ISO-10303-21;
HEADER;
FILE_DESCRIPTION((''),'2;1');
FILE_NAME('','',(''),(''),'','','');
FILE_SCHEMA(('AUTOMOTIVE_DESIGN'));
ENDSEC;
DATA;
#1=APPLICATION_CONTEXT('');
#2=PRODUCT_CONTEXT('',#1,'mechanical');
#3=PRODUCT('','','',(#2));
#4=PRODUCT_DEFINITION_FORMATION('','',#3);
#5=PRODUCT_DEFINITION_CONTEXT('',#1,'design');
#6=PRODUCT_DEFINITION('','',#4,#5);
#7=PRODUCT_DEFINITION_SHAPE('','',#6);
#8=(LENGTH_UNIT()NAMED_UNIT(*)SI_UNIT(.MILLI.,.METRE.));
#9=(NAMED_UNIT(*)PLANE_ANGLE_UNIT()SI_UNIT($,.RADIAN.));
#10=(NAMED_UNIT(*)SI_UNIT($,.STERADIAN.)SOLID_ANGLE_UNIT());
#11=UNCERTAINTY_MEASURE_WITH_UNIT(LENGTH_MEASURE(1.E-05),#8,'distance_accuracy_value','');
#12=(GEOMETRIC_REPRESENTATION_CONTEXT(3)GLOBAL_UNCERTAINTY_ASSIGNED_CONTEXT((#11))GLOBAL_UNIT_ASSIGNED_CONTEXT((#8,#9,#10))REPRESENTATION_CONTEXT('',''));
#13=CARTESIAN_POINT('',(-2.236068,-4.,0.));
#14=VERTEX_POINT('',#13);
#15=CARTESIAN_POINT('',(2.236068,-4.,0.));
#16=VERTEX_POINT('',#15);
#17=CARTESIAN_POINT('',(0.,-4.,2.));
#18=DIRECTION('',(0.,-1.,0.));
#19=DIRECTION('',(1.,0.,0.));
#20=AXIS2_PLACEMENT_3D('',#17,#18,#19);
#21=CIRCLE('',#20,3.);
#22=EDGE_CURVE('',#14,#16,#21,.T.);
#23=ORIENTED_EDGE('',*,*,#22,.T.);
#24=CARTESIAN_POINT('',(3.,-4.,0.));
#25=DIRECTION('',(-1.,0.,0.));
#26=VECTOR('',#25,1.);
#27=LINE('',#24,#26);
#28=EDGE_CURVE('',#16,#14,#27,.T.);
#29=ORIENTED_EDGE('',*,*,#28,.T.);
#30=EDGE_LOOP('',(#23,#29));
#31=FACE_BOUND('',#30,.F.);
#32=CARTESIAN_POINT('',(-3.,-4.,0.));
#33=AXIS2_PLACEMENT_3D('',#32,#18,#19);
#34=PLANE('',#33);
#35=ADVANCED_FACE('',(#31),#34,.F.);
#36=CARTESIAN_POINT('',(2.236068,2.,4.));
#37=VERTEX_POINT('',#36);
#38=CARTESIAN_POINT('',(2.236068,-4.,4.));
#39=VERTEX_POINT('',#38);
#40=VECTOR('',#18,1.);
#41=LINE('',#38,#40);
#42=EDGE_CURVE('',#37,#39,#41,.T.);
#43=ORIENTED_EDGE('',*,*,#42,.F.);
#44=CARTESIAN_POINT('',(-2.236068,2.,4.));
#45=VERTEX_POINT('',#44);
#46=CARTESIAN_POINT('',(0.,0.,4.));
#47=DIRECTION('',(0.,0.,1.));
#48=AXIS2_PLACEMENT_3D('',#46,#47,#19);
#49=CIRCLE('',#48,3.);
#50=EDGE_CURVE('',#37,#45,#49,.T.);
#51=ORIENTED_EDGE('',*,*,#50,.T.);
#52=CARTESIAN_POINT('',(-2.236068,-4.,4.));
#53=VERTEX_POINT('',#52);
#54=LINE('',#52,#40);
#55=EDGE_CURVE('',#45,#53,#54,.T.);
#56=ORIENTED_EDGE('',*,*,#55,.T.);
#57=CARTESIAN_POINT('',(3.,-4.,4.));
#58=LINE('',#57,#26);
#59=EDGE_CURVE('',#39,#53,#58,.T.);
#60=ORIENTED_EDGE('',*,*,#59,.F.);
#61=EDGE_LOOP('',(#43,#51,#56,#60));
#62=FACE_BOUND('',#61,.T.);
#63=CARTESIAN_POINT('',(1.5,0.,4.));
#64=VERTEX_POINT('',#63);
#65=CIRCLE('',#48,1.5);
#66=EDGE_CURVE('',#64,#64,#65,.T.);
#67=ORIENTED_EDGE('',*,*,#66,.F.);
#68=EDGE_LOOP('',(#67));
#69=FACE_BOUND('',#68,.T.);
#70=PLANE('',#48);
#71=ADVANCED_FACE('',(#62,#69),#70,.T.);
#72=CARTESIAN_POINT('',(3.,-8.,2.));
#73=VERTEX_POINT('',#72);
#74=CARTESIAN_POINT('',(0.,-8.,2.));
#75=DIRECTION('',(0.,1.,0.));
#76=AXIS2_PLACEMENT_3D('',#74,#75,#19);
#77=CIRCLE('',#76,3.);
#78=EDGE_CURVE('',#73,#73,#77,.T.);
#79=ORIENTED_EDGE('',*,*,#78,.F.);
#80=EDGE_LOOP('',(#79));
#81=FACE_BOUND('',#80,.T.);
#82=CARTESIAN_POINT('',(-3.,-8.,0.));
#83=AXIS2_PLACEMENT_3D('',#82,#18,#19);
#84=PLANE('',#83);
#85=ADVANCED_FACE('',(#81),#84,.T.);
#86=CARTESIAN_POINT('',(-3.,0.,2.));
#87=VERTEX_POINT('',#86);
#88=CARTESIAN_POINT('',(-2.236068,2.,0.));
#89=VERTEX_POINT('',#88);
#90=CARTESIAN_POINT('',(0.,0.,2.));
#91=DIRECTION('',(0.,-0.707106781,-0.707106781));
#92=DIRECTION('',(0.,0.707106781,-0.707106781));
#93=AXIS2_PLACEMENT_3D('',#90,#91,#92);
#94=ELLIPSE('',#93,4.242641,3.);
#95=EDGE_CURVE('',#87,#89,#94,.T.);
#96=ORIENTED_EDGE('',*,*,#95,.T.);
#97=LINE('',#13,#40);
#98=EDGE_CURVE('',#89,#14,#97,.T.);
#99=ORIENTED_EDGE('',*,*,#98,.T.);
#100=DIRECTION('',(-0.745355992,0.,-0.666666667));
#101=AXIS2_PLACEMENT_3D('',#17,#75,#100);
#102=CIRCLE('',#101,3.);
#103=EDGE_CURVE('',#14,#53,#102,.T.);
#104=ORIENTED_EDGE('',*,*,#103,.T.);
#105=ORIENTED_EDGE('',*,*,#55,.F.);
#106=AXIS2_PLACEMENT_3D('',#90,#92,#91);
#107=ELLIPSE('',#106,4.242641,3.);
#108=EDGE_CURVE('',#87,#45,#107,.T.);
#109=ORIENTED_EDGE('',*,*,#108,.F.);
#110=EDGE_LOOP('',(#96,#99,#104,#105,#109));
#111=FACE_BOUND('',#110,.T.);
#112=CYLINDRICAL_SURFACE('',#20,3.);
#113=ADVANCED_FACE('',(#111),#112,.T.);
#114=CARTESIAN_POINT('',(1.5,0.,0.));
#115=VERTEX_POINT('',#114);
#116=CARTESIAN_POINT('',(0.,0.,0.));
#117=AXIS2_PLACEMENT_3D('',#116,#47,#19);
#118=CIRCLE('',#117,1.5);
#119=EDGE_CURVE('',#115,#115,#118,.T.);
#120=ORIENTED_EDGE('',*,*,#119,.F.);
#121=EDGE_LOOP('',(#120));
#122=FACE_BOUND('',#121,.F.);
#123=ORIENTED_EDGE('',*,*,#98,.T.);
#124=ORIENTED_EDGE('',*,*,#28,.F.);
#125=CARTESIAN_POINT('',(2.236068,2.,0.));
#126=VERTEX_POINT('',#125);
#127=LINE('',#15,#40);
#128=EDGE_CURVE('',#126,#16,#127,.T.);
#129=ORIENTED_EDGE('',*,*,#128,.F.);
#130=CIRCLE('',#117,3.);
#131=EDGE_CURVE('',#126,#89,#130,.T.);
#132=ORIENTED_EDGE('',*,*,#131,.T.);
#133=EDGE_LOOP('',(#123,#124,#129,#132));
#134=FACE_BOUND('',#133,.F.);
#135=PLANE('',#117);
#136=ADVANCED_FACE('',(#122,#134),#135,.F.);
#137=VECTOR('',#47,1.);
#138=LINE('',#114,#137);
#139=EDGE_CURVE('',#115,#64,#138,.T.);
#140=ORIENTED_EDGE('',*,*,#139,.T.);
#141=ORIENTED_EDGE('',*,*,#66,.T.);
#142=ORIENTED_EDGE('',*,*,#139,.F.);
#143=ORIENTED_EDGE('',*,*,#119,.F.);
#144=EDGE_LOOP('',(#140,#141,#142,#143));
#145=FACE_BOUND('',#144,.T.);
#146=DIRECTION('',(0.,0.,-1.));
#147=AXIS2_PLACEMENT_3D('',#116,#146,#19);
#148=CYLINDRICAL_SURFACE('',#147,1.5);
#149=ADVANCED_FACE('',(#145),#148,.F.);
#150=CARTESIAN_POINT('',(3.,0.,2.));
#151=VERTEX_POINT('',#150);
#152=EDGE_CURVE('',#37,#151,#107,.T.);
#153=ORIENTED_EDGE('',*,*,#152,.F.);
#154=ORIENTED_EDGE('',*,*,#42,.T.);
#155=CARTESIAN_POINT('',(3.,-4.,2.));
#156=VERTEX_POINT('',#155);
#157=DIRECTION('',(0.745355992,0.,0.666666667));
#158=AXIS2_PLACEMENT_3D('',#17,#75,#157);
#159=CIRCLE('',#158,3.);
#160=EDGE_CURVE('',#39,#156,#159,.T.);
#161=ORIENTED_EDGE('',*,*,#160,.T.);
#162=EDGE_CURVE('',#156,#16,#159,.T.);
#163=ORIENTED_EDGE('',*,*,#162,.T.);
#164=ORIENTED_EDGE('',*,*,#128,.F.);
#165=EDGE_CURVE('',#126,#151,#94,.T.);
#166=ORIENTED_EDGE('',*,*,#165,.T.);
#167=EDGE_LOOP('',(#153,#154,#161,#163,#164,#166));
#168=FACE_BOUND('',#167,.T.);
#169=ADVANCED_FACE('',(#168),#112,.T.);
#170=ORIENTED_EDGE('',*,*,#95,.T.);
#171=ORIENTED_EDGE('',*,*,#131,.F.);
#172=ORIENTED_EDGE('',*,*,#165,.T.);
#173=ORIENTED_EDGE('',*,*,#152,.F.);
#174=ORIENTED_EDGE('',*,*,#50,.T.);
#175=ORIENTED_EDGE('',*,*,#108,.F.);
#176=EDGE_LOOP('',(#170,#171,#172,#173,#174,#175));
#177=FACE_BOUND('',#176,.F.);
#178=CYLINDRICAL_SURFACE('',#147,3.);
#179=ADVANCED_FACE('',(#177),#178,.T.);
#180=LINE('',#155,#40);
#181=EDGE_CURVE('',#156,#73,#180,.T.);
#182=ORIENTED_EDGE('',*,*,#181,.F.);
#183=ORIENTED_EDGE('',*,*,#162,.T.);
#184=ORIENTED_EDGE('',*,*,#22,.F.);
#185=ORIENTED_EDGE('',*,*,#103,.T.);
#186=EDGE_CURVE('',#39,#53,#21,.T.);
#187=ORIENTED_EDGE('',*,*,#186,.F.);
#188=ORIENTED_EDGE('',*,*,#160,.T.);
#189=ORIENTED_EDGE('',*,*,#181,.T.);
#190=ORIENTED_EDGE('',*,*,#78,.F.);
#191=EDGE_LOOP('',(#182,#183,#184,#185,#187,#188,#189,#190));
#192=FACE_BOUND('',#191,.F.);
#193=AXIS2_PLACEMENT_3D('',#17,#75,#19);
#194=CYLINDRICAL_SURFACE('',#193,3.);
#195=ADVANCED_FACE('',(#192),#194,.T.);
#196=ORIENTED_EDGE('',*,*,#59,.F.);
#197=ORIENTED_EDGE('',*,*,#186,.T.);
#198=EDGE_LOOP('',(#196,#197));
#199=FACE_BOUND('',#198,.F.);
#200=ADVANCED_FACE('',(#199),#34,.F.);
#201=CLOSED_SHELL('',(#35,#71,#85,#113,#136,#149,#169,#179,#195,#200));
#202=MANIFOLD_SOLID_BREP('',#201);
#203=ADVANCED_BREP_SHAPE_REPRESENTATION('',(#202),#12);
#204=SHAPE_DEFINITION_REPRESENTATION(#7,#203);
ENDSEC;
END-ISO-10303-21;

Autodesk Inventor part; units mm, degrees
ref_plane "YZ Plane" through (0, 0, 0) normal (1, 0, 0) x (0, 1, 0)
ref_plane "XZ Plane" through (0, 0, 0) normal (0, 1, 0) x (-1, 0, 0)
ref_plane "XY Plane" through (0, 0, 0) normal (0, 0, 1) x (1, 0, 0)
sketch "スケッチ3" plane through (0, 0, 0) normal (0, 0, 1) x (1, 0, 0)
  circle A0 centre (0, 0) radius 1.5
  circle A1 centre (0, 0) radius 3
  line L0 (3, 0) -> (3, -4)
  line L1 (3, -4) -> (-3, -4)
  line L2 (-3, -4) -> (-3, 0)
  dimension "d9" = 6
  dimension "d8" = 3
  dimension "d10" = 4
extrude "押し出し3" add sketch "スケッチ3" along normal blind 4
sketch "スケッチ4" plane through (-3, -4, 0) normal (0, -1, 0) x (1, 0, 0)
  line L0 (6, 4) -> (0, 4) projected
  line L1 (6, 0) -> (6, 4) projected
  circle A0 centre (3, 2) radius 3
  line L2 (0, 0) -> (0, 4) projected
  line L3 (4.0287, 2) -> (1.8756, 2)
  point P0 (3, 0)
  point P1 (6, 2)
extrude "押し出し4" cut sketch "スケッチ4" against normal blind 10 contours A0 L0 | L0 A0 keep common part
extrude "押し出し5" add sketch "スケッチ4" along normal blind 4 contours A0 L0 | L0 A0
properties part number "頭" material "ABS プラスチック"
